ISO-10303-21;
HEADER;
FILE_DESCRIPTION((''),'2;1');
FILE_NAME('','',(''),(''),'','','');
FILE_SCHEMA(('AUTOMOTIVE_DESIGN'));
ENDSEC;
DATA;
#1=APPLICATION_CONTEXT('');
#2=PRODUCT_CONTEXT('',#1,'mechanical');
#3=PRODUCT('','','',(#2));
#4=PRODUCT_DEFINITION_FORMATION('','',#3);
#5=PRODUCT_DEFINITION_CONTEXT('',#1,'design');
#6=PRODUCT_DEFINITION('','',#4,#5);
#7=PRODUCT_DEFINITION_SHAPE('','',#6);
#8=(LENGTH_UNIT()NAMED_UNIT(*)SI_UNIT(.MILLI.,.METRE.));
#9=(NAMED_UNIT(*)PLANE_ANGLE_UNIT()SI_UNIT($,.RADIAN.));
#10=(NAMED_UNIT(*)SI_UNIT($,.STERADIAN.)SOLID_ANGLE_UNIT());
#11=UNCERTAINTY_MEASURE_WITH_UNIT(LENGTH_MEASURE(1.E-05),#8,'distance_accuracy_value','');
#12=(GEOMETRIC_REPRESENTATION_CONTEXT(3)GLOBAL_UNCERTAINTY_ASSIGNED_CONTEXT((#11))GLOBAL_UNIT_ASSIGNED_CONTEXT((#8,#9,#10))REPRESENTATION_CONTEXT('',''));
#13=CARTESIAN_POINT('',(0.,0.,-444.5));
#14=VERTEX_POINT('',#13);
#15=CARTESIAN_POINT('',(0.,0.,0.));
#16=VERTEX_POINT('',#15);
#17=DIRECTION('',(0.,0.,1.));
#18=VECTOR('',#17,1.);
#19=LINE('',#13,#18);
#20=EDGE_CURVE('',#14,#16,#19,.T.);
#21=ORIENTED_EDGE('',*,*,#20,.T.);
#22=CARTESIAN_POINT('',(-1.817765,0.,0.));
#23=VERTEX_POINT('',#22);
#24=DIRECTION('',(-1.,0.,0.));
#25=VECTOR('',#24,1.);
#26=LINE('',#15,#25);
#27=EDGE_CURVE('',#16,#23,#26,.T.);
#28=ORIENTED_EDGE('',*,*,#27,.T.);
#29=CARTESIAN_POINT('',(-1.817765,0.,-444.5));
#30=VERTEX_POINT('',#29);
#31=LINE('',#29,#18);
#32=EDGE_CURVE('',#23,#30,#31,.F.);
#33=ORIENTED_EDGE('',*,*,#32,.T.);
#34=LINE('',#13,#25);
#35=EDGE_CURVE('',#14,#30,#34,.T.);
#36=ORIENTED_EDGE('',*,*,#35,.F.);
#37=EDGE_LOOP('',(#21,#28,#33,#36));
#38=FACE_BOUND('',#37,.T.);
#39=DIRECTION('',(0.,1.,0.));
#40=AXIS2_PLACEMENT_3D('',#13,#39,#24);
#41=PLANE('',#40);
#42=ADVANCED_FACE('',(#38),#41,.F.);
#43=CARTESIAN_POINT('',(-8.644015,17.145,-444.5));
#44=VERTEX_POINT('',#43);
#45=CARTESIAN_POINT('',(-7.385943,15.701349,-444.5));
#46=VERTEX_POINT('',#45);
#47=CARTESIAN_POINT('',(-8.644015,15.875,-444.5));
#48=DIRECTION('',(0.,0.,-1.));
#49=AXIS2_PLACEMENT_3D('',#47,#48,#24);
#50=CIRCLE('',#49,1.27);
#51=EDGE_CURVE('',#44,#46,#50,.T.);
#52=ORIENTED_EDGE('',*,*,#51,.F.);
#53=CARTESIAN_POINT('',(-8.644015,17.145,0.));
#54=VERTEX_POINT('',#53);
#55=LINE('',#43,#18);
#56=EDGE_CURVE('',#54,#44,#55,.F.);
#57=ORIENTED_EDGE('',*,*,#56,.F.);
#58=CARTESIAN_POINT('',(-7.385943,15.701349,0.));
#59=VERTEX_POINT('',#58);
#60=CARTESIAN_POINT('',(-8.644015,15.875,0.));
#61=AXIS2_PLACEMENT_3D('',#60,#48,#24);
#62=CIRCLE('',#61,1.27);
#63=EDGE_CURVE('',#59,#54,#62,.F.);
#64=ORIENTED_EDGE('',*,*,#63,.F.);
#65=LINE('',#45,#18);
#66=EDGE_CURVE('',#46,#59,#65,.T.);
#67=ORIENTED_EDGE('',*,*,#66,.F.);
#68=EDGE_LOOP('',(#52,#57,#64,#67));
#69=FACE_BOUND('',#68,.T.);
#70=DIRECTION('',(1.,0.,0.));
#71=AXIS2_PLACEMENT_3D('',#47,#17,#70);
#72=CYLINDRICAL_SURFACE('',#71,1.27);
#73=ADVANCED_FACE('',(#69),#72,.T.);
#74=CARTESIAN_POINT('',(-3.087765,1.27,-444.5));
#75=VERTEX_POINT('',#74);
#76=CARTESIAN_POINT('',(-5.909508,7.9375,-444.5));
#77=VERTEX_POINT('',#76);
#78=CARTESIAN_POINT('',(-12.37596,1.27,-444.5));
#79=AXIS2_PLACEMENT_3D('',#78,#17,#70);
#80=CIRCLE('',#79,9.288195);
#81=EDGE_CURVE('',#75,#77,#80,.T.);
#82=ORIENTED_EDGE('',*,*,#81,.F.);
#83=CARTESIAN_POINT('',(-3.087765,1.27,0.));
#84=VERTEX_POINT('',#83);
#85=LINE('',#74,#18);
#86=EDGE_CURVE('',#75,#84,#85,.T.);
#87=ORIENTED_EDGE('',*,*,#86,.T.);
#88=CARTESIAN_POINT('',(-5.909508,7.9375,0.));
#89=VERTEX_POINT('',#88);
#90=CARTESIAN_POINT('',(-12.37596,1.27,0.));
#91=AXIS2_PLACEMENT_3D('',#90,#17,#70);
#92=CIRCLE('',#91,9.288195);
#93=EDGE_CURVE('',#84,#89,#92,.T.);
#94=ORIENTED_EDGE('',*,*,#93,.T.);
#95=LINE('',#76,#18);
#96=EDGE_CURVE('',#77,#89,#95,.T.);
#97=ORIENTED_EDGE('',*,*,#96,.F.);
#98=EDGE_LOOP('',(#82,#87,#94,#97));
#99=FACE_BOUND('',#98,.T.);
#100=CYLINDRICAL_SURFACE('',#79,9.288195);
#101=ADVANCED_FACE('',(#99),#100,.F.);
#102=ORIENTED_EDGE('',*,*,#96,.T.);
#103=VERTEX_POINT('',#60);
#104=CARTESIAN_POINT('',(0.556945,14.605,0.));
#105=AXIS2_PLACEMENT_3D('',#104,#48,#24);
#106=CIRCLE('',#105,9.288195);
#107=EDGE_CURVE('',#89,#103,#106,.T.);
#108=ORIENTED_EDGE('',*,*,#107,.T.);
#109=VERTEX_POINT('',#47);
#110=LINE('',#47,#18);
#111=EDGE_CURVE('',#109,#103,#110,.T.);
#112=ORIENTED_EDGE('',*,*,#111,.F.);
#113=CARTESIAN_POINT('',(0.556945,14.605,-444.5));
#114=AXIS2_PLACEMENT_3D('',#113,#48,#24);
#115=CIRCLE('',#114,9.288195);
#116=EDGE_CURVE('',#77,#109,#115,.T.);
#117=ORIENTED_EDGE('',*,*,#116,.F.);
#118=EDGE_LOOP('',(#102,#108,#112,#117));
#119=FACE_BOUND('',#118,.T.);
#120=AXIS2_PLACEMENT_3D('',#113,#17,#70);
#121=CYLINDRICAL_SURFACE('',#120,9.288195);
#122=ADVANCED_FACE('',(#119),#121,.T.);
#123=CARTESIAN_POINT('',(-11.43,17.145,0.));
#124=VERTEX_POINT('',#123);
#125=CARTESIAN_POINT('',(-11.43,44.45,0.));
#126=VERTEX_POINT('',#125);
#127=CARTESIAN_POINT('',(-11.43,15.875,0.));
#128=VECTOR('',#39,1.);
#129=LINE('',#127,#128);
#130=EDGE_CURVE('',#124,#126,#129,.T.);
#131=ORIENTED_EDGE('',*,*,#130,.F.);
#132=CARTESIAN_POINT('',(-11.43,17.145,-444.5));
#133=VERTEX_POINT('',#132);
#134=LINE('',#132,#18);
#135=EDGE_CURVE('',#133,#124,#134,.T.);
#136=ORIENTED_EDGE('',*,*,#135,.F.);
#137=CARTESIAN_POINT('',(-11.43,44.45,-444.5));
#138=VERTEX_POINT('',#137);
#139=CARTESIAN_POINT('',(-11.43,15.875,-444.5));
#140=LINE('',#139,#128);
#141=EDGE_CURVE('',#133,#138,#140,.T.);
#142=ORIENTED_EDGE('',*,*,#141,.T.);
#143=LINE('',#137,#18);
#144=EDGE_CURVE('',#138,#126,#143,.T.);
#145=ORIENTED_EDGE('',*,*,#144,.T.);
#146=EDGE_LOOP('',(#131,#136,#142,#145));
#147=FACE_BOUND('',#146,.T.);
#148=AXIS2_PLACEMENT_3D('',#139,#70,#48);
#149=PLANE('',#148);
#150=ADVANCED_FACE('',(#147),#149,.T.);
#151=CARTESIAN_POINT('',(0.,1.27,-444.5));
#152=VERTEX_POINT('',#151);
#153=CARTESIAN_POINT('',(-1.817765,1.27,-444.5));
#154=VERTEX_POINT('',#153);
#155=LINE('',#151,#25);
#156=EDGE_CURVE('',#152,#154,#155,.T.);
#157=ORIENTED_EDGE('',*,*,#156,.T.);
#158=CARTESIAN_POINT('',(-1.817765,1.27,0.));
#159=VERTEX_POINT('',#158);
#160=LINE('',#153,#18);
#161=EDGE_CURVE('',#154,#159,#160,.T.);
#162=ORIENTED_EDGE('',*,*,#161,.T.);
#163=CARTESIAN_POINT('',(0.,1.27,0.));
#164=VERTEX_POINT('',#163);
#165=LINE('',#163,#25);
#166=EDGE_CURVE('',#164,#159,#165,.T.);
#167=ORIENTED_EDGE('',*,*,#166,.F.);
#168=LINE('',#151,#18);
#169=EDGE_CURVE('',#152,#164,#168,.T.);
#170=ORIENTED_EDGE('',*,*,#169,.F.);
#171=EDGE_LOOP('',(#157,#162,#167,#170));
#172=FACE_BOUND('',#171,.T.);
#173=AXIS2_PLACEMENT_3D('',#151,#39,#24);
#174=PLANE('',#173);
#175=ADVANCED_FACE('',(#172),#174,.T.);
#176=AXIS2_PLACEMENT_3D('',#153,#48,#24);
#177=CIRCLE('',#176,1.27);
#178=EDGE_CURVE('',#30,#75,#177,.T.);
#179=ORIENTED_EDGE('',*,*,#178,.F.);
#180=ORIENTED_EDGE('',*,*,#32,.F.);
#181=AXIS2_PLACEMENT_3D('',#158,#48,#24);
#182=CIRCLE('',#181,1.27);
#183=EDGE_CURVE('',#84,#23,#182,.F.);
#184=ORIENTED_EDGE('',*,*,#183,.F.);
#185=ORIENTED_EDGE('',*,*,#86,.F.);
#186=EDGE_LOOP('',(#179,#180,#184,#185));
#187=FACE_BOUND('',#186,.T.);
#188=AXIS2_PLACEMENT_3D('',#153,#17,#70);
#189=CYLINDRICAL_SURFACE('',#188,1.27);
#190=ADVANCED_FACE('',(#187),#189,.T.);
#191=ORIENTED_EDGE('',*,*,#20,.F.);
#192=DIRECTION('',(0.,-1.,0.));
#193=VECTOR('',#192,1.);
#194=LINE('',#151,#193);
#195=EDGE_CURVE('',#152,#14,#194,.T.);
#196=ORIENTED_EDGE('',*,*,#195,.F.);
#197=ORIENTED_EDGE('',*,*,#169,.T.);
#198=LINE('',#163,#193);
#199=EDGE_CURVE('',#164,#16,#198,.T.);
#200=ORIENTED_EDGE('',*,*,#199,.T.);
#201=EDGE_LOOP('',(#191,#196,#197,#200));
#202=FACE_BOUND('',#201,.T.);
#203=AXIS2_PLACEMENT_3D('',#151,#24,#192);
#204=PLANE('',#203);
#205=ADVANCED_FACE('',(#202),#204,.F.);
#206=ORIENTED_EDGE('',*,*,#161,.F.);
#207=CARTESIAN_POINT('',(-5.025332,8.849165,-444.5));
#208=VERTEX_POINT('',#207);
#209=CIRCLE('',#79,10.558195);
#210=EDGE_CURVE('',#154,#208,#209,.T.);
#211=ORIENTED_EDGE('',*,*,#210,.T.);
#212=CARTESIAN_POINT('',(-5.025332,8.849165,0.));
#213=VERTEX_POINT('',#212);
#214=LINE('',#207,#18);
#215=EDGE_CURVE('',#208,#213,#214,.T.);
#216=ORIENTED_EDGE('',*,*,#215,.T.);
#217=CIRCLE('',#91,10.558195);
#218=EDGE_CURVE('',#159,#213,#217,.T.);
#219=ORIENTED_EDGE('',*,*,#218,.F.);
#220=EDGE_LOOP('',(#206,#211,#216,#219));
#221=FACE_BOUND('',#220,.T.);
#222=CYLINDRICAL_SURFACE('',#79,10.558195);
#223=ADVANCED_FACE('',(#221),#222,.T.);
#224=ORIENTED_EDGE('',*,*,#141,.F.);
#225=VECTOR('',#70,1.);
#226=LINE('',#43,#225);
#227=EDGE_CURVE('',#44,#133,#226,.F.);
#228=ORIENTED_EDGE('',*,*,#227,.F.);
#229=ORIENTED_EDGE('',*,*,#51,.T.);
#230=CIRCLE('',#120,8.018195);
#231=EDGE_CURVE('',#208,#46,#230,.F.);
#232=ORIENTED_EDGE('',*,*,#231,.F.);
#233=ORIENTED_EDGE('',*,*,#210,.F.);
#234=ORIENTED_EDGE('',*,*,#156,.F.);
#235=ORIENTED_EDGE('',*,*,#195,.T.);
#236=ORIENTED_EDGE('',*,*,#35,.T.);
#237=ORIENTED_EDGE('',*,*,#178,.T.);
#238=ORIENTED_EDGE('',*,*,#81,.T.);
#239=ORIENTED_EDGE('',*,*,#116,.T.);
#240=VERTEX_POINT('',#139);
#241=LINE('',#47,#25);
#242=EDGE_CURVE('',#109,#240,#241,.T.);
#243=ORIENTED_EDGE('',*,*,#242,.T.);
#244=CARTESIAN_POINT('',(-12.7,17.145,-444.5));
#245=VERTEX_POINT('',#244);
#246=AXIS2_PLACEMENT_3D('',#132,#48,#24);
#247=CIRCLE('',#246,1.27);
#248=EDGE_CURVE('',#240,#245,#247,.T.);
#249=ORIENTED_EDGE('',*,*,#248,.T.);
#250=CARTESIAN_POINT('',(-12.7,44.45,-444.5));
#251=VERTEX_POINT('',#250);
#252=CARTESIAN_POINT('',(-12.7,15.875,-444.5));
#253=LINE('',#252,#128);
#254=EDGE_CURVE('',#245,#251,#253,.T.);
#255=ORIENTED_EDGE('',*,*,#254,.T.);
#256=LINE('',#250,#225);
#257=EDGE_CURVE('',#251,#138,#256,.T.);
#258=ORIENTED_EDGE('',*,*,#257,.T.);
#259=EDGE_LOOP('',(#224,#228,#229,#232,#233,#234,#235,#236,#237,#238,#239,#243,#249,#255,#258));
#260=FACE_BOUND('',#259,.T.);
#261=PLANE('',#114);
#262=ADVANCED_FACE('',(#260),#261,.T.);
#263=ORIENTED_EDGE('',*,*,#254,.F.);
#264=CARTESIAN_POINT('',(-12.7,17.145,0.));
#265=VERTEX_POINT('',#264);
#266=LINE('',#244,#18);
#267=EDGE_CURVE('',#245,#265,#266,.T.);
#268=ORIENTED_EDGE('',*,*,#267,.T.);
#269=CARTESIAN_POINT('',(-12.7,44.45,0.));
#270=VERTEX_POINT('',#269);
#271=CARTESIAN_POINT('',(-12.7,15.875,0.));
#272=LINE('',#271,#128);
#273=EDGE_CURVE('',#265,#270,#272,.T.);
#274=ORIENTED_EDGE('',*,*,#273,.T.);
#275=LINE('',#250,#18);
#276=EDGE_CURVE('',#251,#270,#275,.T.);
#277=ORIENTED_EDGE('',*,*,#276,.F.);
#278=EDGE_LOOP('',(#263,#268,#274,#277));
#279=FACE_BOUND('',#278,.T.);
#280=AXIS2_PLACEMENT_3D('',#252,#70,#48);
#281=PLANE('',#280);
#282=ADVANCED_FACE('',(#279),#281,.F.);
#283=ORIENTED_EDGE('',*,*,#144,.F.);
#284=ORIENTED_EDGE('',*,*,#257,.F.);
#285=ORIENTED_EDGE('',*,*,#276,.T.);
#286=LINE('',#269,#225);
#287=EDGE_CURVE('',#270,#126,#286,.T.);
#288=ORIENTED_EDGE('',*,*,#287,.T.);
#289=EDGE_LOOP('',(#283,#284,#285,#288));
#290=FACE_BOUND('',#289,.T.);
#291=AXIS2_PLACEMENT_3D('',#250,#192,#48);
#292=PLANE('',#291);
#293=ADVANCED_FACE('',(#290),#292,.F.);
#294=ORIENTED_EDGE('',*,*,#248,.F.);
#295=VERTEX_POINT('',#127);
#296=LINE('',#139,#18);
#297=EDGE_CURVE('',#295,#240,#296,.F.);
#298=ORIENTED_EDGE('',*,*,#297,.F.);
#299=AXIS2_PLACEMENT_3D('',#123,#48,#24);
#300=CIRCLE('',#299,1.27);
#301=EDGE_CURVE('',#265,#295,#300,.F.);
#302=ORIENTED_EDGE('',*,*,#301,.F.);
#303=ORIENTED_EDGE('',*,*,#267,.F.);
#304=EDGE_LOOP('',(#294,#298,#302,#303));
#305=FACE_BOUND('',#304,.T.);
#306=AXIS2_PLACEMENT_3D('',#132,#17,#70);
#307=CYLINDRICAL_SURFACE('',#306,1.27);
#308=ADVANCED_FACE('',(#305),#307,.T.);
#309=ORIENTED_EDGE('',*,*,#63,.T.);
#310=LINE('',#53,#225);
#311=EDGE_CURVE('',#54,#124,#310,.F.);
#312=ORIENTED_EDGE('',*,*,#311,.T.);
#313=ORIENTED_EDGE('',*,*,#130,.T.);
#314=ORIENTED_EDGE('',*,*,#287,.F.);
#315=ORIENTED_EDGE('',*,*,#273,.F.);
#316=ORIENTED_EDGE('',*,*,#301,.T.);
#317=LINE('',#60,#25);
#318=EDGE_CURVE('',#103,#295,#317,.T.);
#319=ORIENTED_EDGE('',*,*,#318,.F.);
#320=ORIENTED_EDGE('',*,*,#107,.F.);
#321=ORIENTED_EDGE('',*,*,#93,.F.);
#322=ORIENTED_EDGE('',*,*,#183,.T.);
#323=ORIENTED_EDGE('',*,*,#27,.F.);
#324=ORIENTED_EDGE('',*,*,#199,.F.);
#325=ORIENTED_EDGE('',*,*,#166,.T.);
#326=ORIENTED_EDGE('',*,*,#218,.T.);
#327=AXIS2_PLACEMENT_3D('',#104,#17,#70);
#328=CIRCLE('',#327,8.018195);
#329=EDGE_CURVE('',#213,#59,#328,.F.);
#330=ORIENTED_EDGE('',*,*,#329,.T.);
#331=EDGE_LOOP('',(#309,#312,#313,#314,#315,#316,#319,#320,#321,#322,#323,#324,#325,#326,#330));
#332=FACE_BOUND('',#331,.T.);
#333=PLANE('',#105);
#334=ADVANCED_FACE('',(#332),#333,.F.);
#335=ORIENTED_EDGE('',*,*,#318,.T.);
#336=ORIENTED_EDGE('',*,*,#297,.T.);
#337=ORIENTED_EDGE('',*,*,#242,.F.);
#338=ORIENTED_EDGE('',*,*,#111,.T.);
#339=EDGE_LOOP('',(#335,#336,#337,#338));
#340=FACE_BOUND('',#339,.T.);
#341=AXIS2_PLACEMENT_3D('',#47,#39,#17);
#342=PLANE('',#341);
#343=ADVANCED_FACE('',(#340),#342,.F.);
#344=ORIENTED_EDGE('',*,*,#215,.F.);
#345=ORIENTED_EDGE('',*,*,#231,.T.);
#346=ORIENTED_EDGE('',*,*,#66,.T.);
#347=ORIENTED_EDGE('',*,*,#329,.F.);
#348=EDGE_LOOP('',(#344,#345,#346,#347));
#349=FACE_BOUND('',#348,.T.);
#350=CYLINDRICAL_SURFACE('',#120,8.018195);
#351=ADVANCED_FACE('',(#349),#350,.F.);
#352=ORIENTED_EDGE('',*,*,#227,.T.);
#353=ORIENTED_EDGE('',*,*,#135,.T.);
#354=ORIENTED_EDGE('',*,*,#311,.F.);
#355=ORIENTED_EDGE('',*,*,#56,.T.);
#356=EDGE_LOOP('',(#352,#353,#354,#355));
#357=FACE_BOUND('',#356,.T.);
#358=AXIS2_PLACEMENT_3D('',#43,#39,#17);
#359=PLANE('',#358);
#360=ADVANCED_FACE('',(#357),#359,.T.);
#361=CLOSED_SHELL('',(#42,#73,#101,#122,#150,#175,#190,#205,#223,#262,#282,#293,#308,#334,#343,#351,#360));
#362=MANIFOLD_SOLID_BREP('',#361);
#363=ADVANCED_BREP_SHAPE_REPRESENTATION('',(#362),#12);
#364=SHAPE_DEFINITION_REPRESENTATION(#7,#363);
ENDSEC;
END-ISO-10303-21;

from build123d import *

# Parameters (mm, degrees)
EXTRUDE_THIN1_DEPTH = 444.5
FILLET1_R           = 1.27


with BuildPart() as part:
    # Sketch1 → Extrude-Thin1 (new body)
    with BuildSketch(Plane.XY):
        with BuildLine():
            Line((0, 0), (-3.175, 0))
            ThreePointArc((-3.175, 0), (-3.594278481, 4.295332119), (-5.909507538, 7.9375))
            ThreePointArc((-5.909507538, 7.9375), (-8.224736594, 11.579667881), (-8.644015075, 15.875))
            Line((-8.644015075, 15.875), (-12.7, 15.875))
            Line((-12.7, 15.875), (-12.7, 44.45))
            Line((-12.7, 44.45), (-11.43, 44.45))
            Line((-11.43, 44.45), (-11.43, 17.145))
            Line((-11.43, 17.145), (-7.048306528, 17.145))
            ThreePointArc((-7.048306528, 17.145), (-7.232980949, 12.705393558), (-5.025332022, 8.849165321))
            ThreePointArc((-5.025332022, 8.849165321), (-2.652667269, 5.384979729), (-1.817765075, 1.27))
            Line((-1.817765075, 1.27), (0, 1.27))
            Line((0, 1.27), (0, 0))
        make_face()
    extrude(amount=-EXTRUDE_THIN1_DEPTH)

    # Fillet1
    fillet1_edges = [part.edges().sort_by_distance(p)[0] for p in [
        (-7.048306528, 17.145, -222.25),
        (-3.175, 0, -222.25),
        (-12.7, 15.875, -222.25),
    ]]
    fillet(fillet1_edges, radius=FILLET1_R)


solid = part.part
